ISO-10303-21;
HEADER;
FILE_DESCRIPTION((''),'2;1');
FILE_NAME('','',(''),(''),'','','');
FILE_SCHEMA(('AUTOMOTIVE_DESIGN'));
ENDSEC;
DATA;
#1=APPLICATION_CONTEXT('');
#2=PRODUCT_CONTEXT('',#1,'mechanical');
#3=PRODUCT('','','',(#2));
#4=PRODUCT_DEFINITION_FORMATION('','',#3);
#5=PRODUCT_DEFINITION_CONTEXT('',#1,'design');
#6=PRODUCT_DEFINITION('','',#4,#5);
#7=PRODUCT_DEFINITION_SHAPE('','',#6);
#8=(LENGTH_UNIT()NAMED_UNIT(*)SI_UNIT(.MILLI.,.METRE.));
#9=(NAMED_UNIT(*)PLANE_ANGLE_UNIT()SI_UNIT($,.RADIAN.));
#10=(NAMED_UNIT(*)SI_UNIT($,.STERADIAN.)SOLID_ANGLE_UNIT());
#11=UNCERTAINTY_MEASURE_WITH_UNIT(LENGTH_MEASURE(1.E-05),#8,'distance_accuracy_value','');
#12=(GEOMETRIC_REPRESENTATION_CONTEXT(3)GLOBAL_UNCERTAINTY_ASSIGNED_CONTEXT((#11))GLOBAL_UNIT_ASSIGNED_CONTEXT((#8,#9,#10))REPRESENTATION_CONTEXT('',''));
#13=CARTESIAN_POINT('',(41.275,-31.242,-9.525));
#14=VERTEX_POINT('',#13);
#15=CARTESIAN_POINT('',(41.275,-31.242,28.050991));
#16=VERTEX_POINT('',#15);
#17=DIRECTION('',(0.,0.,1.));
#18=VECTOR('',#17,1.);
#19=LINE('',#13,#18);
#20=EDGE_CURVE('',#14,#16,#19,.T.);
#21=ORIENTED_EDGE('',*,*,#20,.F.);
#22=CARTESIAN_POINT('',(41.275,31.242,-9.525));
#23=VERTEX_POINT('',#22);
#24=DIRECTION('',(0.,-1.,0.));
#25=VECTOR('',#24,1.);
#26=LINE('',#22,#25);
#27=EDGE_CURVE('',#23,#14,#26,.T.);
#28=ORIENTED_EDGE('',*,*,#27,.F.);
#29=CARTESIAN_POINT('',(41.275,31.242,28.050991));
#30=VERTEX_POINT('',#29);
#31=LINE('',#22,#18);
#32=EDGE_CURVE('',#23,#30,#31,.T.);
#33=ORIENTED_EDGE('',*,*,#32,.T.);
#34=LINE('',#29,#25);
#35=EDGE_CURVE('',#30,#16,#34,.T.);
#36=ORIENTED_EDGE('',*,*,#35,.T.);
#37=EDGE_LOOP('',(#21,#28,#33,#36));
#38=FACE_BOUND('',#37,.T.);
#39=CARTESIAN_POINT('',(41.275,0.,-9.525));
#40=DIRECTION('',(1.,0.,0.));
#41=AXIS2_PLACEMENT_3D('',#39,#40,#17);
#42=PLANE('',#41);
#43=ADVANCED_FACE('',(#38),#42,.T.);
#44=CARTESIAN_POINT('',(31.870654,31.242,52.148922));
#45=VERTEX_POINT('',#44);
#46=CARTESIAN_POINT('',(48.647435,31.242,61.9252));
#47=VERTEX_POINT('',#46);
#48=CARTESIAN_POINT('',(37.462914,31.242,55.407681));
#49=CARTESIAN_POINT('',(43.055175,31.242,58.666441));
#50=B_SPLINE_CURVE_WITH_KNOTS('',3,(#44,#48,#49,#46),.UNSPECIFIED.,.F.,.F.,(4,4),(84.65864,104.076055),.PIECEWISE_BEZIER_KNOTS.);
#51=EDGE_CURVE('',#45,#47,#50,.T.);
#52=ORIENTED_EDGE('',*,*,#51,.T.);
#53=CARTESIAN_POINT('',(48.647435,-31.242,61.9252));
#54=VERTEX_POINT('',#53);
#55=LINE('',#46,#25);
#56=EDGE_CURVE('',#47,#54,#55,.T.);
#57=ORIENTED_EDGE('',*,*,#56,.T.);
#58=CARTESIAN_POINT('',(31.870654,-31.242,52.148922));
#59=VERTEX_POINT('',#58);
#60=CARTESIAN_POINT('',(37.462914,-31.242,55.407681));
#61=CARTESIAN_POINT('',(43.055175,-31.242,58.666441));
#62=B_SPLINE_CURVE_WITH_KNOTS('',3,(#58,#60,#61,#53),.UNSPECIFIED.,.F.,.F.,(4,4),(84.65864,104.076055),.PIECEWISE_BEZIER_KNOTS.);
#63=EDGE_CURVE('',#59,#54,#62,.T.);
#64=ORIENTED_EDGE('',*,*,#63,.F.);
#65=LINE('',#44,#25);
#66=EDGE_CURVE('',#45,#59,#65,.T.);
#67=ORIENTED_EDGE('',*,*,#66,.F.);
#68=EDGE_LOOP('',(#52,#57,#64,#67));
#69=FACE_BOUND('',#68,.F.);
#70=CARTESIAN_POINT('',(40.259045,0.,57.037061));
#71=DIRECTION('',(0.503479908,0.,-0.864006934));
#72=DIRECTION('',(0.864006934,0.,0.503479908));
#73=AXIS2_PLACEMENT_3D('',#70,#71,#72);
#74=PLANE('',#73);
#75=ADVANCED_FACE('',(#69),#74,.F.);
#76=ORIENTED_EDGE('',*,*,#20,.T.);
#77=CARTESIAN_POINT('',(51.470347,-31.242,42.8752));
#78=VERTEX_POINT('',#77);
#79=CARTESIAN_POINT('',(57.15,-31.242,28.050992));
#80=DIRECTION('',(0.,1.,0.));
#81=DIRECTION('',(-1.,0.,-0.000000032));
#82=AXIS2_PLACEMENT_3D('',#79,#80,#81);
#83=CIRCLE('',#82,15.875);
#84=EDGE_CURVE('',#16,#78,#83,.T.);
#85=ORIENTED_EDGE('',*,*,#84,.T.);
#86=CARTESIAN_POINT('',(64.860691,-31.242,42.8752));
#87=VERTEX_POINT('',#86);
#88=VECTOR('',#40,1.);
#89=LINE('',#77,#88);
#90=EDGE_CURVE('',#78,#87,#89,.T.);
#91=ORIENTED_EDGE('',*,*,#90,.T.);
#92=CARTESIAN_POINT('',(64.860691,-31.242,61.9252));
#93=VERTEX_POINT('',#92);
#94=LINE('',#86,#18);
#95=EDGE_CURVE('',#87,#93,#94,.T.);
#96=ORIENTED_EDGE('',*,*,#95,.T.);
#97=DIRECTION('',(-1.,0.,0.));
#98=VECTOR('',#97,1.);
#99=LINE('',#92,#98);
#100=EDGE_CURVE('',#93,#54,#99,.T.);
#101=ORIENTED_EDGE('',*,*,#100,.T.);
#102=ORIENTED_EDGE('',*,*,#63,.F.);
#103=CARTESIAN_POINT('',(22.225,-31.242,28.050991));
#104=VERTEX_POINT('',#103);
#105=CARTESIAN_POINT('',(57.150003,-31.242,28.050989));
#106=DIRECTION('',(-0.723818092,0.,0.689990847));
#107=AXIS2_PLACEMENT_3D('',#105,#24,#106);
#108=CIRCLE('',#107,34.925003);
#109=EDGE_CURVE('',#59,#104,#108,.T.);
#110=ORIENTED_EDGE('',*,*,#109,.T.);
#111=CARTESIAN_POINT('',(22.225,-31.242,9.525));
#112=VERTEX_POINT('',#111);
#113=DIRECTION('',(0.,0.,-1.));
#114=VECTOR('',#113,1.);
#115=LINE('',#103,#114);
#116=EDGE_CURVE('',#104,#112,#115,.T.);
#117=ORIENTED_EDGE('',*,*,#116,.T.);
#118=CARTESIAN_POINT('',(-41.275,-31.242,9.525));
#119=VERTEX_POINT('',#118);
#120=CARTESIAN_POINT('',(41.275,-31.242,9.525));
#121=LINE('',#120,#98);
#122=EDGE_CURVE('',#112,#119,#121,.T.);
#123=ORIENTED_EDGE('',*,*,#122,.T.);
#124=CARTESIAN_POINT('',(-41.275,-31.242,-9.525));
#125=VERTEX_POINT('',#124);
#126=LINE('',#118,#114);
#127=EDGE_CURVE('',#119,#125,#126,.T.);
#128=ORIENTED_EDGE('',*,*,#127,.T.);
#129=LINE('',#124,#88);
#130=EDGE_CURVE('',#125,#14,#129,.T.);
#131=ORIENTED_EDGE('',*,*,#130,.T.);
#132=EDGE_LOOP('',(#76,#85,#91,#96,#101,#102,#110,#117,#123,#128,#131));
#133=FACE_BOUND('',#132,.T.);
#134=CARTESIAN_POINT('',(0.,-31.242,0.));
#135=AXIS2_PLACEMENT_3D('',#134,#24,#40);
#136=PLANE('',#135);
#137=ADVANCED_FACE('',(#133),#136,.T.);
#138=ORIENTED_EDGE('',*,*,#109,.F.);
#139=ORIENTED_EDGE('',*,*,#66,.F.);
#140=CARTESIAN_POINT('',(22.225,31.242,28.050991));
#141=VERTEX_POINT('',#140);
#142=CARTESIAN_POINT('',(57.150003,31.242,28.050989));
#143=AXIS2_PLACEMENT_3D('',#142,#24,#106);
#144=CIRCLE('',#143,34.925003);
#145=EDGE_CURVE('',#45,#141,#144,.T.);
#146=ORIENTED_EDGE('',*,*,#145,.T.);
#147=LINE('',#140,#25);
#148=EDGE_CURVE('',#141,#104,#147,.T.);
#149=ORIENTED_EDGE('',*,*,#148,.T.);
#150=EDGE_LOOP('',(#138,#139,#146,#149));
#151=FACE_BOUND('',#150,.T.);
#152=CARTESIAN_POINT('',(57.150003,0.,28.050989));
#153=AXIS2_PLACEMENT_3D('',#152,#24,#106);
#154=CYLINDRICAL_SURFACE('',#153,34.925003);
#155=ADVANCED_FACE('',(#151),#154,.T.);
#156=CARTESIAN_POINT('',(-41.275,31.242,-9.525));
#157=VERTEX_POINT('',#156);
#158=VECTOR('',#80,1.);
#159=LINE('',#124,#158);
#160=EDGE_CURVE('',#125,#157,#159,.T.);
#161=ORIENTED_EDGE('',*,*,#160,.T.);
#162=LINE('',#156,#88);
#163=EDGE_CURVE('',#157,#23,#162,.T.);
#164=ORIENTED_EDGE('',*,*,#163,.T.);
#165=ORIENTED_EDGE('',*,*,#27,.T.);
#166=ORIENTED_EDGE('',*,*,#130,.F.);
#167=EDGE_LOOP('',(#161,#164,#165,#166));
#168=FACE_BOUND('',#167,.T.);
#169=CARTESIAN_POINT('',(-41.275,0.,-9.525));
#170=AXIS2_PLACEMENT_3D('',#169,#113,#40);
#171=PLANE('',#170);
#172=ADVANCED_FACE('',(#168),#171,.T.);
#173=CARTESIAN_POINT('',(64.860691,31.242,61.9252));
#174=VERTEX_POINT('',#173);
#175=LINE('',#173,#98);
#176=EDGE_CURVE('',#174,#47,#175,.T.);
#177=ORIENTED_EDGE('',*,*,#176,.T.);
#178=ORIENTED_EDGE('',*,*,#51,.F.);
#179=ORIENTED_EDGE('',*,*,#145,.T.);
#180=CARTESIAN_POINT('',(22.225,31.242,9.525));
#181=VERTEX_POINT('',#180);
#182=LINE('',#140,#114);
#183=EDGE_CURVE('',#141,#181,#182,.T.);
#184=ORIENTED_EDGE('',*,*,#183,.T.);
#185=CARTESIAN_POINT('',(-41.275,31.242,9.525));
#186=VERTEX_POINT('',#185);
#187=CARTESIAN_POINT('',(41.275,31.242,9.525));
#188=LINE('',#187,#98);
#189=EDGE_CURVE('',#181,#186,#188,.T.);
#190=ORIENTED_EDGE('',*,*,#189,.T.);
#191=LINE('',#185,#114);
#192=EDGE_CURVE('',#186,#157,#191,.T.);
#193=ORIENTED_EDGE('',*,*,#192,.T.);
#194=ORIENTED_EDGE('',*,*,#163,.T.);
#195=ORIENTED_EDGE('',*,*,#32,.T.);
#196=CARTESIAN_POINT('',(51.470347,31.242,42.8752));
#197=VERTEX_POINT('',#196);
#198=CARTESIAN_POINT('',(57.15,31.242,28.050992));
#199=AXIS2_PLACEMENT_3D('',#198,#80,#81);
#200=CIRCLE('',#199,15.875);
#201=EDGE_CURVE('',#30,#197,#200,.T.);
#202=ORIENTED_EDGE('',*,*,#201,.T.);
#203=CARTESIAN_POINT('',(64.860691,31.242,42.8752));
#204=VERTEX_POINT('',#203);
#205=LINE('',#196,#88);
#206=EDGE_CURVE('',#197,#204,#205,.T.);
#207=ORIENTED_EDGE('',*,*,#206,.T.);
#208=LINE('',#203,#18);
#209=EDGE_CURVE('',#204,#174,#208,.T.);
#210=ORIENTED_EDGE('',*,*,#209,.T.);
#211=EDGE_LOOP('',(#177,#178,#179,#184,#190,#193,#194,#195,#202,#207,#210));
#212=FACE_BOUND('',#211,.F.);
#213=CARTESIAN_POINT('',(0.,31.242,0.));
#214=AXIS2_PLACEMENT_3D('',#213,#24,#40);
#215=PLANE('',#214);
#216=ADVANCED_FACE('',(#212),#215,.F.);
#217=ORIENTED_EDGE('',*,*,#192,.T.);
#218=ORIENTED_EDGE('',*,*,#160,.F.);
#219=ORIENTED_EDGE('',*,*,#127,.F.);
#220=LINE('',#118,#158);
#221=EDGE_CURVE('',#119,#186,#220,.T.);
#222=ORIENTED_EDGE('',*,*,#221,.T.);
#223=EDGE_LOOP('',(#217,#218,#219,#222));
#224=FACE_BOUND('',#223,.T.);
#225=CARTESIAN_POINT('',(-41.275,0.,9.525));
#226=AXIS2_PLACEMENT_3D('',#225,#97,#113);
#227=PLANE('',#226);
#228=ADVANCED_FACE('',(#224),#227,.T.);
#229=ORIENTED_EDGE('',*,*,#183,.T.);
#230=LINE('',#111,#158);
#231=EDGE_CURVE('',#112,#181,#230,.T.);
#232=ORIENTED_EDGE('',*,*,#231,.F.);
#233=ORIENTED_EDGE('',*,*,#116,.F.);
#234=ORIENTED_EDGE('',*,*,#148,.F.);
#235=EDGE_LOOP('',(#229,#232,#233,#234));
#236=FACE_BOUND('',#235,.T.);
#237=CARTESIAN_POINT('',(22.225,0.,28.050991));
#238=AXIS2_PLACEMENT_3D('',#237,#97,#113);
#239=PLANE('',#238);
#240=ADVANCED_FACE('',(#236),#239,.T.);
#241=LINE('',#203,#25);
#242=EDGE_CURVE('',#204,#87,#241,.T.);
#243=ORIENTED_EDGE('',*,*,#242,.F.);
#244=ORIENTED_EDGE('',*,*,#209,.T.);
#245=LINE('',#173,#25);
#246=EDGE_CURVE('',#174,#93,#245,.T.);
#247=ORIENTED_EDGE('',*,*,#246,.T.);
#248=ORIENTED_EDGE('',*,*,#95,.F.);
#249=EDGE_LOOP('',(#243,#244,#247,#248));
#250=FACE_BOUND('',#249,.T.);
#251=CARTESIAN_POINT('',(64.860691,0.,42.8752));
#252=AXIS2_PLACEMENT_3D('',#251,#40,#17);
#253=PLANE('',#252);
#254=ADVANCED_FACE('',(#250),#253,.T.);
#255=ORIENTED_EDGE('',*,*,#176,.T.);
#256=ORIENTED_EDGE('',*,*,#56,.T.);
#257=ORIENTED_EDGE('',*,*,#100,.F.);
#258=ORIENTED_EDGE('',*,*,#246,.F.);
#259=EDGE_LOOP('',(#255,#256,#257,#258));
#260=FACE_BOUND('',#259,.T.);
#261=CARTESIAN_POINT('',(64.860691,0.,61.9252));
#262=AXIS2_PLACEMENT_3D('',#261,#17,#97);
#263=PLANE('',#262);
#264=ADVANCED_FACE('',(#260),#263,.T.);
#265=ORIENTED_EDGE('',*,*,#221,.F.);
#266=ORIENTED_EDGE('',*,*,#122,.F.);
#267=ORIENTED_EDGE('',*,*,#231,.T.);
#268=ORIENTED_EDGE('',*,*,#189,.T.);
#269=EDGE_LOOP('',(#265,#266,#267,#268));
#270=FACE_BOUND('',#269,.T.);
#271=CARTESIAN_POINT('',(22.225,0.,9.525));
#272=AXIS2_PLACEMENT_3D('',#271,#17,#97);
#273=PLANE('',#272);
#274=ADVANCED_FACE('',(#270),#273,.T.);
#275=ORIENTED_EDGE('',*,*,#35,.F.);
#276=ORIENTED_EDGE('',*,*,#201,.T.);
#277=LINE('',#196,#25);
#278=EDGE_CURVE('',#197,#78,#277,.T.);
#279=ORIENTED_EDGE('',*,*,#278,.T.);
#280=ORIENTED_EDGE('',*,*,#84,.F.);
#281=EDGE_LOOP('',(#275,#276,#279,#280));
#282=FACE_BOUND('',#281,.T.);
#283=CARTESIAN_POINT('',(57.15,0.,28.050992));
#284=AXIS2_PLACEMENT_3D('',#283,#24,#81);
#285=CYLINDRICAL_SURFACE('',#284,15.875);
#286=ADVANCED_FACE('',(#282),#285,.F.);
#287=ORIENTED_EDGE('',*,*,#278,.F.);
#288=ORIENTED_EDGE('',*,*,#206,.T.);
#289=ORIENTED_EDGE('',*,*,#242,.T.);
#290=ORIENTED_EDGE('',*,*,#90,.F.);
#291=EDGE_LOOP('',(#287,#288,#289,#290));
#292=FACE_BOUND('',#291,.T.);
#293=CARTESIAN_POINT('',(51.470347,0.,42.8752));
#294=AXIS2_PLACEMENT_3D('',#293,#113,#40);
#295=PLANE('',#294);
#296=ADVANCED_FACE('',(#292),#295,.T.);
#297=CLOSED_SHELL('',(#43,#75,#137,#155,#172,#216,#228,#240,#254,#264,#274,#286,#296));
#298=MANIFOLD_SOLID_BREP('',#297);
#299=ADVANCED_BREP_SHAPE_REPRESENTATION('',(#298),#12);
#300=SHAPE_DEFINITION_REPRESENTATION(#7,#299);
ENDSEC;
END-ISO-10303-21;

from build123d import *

# Parameters (mm, degrees)
F1_DEPTH = 31.242


with BuildPart() as f1:
    # F0 (on Front) → F1 (new body, symmetric)
    with BuildSketch(Plane.XZ):
        Polygon((-41.275, -9.525), (41.275, -9.525), (41.275, 9.525), (22.225, 9.525), (-41.275, 9.525), align=None)
        with BuildLine():
            Line((22.225, 9.525), (41.275, 9.525))
            Line((41.275, 9.525), (41.275, 28.050991))
            ThreePointArc((41.275, 28.050991), (44.06986, 37.046855), (51.470347, 42.8752))
            Line((51.470347, 42.8752), (64.860691, 42.8752))
            Line((64.860691, 42.8752), (64.860691, 61.9252))
            Line((64.860691, 61.9252), (48.647435, 61.9252))
            add(Edge.make_bspline(
                [(31.870654, 52.148922), (37.462914, 55.407681), (43.055175, 58.666441), (48.647435, 61.9252)],
                knots=[84.65864, 84.65864, 84.65864, 84.65864, 104.076055, 104.076055, 104.076055, 104.076055], degree=3))
            ThreePointArc((31.870654, 52.148922), (24.72596, 41.029328), (22.225, 28.050991))
            Line((22.225, 28.050991), (22.225, 9.525))
        make_face()
    extrude(amount=F1_DEPTH, both=True)


solid = f1.part
